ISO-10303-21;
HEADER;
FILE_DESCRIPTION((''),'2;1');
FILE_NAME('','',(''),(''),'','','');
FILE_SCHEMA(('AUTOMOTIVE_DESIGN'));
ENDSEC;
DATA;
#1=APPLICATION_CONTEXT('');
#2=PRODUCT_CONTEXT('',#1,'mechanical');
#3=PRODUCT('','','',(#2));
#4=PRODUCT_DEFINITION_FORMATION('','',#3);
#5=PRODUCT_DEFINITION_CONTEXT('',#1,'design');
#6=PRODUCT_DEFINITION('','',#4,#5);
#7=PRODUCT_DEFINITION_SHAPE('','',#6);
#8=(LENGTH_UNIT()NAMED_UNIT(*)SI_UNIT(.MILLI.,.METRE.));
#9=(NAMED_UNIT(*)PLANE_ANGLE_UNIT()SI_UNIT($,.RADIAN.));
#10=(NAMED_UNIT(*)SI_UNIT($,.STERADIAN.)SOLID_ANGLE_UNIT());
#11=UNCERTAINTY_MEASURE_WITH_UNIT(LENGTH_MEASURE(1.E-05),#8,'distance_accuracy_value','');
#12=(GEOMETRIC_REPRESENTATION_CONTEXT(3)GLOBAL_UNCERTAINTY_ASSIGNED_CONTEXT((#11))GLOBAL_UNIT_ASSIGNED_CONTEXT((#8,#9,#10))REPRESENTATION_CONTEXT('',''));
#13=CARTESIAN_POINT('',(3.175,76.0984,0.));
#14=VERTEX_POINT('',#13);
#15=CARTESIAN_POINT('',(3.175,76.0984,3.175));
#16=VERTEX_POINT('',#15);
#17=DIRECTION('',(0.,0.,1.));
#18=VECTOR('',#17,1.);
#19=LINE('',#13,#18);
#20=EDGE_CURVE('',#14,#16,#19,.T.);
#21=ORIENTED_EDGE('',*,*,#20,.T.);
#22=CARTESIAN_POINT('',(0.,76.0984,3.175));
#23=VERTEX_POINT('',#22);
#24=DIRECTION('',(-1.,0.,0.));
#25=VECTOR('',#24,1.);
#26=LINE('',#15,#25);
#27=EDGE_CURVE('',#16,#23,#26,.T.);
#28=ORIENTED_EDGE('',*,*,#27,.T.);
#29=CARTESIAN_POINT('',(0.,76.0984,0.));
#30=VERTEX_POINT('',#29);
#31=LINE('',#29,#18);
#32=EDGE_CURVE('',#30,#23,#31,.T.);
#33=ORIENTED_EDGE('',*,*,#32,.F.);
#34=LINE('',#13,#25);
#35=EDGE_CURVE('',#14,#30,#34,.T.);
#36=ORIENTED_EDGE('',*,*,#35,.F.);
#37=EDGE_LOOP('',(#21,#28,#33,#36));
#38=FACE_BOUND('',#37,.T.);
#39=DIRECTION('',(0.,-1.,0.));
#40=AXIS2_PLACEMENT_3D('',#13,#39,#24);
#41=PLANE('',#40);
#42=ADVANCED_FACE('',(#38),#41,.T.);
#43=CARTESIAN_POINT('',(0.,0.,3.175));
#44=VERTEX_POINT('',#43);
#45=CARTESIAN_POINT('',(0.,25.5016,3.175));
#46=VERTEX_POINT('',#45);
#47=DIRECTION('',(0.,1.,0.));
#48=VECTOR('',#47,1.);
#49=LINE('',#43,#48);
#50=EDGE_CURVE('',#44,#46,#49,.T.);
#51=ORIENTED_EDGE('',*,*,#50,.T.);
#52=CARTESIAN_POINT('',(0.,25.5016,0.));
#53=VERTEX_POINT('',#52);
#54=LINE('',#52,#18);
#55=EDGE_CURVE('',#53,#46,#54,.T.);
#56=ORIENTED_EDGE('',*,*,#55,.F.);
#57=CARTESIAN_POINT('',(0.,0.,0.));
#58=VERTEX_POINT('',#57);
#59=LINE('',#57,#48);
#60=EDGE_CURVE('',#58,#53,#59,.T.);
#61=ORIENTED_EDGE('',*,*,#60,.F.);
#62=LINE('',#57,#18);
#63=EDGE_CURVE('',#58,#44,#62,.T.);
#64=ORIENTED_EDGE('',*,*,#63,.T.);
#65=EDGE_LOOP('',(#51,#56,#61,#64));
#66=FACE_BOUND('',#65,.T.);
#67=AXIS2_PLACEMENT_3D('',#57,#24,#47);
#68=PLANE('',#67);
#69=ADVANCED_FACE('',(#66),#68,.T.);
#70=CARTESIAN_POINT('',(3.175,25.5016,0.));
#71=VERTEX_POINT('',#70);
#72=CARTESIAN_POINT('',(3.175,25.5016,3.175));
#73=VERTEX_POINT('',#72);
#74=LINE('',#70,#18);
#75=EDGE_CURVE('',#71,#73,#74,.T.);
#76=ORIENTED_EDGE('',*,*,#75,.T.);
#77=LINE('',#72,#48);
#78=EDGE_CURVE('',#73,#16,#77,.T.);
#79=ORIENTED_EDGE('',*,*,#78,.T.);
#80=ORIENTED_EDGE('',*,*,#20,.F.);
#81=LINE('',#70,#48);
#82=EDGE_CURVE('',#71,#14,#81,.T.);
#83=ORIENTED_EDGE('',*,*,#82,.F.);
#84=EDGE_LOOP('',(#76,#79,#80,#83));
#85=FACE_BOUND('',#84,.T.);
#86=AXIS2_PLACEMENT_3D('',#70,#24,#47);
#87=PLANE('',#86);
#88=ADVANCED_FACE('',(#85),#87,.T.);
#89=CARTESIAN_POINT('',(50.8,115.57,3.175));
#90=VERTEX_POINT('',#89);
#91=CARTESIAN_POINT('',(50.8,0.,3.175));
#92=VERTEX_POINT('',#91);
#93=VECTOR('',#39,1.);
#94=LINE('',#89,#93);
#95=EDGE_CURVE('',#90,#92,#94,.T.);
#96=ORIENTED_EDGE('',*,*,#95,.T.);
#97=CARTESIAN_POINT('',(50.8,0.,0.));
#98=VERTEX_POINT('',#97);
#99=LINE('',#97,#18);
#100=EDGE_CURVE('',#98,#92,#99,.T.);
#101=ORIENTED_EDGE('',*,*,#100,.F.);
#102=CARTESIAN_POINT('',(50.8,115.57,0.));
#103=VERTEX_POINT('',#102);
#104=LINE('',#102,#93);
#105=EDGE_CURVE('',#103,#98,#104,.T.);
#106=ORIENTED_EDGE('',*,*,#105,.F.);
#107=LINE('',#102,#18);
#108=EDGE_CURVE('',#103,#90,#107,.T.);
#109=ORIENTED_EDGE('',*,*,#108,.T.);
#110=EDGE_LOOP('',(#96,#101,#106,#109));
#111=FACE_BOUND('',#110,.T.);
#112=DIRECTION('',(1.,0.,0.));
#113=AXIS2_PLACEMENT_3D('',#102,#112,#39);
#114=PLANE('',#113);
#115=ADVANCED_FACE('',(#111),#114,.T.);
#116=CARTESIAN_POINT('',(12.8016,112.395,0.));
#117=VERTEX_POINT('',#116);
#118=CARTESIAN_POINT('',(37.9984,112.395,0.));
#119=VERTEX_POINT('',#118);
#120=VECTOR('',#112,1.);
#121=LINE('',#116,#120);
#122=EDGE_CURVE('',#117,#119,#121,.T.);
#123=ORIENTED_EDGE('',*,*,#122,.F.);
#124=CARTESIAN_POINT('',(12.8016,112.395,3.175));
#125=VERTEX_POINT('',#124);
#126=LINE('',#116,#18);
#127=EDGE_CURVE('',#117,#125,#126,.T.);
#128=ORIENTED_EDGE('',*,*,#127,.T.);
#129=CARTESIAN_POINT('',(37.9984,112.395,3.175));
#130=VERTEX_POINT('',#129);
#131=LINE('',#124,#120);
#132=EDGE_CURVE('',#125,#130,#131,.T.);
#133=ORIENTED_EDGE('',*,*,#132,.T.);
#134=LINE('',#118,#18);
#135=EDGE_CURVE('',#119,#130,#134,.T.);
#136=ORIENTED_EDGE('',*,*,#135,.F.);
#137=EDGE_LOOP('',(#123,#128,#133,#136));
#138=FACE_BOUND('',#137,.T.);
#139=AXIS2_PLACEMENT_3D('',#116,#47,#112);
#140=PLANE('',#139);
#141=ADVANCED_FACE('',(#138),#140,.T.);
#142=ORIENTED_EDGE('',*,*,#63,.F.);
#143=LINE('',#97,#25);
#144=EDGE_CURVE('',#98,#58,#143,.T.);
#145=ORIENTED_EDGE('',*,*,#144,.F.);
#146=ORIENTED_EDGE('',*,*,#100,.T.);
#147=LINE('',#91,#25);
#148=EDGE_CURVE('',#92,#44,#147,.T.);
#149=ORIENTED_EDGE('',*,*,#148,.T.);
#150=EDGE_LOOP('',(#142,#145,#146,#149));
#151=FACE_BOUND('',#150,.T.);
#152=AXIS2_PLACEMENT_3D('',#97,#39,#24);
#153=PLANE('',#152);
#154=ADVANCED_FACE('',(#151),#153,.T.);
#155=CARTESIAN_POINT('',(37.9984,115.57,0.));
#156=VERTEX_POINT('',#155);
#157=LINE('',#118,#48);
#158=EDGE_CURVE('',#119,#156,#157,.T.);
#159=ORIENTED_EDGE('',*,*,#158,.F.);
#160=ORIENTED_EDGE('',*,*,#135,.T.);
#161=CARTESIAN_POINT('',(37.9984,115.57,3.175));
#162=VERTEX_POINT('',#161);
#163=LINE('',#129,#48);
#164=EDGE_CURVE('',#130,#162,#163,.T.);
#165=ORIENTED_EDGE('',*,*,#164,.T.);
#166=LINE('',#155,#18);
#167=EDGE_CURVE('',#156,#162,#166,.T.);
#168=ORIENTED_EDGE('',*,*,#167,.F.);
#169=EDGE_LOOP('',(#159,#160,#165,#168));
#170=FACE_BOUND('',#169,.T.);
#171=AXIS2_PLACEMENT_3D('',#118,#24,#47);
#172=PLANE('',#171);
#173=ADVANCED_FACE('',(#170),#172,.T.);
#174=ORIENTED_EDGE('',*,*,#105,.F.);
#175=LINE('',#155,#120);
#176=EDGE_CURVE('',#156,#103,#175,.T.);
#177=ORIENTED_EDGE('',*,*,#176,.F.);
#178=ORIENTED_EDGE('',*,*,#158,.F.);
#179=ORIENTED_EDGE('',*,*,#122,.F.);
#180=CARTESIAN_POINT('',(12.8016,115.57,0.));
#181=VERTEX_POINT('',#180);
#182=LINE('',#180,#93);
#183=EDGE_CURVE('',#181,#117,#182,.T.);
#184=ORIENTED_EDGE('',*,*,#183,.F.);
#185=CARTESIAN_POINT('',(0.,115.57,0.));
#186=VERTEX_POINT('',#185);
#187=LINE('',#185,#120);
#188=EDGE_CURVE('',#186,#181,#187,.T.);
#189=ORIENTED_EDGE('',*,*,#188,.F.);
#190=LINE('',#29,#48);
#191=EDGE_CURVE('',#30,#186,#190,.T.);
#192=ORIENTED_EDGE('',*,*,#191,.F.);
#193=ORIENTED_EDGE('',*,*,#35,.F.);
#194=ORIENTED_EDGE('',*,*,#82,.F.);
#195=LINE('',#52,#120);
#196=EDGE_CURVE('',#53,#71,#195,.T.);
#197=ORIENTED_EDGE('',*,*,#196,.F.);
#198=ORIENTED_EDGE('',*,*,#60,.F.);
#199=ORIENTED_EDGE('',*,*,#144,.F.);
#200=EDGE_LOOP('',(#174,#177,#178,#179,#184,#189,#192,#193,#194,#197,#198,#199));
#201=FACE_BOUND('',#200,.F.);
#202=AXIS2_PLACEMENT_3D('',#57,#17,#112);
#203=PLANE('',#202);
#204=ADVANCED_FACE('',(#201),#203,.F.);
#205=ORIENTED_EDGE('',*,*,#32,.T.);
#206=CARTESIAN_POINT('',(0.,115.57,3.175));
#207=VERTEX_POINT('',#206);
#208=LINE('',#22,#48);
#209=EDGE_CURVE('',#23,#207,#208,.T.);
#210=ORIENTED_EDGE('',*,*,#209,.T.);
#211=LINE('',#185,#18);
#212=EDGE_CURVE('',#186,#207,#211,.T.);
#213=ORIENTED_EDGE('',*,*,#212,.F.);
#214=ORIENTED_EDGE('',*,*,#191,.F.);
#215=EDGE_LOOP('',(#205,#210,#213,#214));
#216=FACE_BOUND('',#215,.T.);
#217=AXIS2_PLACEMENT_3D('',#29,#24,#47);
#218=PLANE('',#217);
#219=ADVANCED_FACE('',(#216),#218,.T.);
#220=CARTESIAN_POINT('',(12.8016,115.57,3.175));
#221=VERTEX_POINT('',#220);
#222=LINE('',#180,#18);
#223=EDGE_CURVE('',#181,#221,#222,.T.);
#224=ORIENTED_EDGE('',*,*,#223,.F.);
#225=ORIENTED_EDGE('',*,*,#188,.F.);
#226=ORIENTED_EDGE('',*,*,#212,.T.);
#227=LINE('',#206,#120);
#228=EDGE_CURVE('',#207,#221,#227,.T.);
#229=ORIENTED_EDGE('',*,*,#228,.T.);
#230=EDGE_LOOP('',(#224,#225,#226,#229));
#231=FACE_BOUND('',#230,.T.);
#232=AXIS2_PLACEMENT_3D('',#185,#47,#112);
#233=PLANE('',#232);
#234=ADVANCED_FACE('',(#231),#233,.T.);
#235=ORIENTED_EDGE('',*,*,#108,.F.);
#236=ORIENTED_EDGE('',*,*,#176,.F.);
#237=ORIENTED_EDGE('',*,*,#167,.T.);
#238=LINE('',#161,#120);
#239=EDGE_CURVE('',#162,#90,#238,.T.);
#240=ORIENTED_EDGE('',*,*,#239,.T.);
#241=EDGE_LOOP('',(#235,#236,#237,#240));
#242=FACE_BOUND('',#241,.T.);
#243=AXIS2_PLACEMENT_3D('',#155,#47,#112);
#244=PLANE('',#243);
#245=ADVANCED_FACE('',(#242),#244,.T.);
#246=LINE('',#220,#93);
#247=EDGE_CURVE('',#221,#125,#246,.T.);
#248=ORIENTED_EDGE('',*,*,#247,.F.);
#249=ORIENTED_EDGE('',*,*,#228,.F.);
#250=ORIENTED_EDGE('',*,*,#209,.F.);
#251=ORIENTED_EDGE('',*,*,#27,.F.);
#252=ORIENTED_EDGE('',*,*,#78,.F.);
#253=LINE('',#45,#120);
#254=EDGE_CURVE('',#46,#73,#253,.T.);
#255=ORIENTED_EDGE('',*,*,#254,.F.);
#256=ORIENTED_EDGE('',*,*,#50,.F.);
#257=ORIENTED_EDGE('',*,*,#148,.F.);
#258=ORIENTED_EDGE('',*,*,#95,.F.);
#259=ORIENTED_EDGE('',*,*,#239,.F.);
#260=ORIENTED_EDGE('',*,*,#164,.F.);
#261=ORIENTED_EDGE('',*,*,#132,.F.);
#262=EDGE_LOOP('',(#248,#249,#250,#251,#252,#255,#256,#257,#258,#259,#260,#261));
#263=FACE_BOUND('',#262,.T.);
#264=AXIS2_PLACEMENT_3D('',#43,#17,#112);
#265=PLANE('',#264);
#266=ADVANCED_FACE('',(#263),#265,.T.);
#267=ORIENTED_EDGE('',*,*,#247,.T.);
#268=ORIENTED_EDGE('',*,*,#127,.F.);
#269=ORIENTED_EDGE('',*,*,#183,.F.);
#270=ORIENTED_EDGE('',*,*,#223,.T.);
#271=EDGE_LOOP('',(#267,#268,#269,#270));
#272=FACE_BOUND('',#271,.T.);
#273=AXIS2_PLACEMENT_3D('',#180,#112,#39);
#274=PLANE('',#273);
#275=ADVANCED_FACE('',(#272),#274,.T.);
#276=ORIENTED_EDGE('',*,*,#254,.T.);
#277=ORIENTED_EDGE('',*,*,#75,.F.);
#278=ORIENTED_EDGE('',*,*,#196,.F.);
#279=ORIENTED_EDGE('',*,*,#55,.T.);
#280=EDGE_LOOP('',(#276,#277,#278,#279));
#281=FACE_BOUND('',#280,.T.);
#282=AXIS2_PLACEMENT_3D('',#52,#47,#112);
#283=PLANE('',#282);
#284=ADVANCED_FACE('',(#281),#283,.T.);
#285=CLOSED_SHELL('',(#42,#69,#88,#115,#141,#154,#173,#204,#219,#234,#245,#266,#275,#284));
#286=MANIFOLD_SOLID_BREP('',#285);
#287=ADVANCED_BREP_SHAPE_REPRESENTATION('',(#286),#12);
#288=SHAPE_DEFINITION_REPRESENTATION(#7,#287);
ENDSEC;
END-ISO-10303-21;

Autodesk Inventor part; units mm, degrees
ref_plane "YZ Plane" through (0, 0, 0) normal (1, 0, 0) x (0, 1, 0)
ref_plane "XZ Plane" through (0, 0, 0) normal (0, 1, 0) x (-1, 0, 0)
ref_plane "XY Plane" through (0, 0, 0) normal (0, 0, 1) x (1, 0, 0)
sketch "Sketch1" plane through (0, 0, 0) normal (0, 0, 1) x (1, 0, 0)
  line L0 (50.8, 115.57) -> (50.8, 0)
  line L1 (50.8, 0) -> (0, 0)
  line L2 (0, 115.57) -> (12.8016, 115.57)
  line L3 (12.8016, 115.57) -> (12.8016, 112.395)
  line L4 (12.8016, 112.395) -> (37.9984, 112.395)
  line L5 (37.9984, 112.395) -> (37.9984, 115.57)
  line L6 (37.9984, 115.57) -> (50.8, 115.57)
  line L7 (0, 0) -> (0, 25.5016)
  line L8 (0, 25.5016) -> (3.175, 25.5016)
  line L9 (3.175, 25.5016) -> (3.175, 76.0984)
  line L10 (3.175, 76.0984) -> (0, 76.0984)
  line L11 (0, 76.0984) -> (0, 115.57)
  dimension "d0" = 115.57
  dimension "d1" = 50.8
  dimension "d2" = 12.8016
  dimension "d3" = 3.175
  dimension "d4" = 25.1968
  dimension "d7" = 25.5016
  dimension "d8" = 3.175
  dimension "d9" = 50.5968
extrude "Extrusion1" add sketch "Sketch1" along normal blind 3.175
properties part number "side"
